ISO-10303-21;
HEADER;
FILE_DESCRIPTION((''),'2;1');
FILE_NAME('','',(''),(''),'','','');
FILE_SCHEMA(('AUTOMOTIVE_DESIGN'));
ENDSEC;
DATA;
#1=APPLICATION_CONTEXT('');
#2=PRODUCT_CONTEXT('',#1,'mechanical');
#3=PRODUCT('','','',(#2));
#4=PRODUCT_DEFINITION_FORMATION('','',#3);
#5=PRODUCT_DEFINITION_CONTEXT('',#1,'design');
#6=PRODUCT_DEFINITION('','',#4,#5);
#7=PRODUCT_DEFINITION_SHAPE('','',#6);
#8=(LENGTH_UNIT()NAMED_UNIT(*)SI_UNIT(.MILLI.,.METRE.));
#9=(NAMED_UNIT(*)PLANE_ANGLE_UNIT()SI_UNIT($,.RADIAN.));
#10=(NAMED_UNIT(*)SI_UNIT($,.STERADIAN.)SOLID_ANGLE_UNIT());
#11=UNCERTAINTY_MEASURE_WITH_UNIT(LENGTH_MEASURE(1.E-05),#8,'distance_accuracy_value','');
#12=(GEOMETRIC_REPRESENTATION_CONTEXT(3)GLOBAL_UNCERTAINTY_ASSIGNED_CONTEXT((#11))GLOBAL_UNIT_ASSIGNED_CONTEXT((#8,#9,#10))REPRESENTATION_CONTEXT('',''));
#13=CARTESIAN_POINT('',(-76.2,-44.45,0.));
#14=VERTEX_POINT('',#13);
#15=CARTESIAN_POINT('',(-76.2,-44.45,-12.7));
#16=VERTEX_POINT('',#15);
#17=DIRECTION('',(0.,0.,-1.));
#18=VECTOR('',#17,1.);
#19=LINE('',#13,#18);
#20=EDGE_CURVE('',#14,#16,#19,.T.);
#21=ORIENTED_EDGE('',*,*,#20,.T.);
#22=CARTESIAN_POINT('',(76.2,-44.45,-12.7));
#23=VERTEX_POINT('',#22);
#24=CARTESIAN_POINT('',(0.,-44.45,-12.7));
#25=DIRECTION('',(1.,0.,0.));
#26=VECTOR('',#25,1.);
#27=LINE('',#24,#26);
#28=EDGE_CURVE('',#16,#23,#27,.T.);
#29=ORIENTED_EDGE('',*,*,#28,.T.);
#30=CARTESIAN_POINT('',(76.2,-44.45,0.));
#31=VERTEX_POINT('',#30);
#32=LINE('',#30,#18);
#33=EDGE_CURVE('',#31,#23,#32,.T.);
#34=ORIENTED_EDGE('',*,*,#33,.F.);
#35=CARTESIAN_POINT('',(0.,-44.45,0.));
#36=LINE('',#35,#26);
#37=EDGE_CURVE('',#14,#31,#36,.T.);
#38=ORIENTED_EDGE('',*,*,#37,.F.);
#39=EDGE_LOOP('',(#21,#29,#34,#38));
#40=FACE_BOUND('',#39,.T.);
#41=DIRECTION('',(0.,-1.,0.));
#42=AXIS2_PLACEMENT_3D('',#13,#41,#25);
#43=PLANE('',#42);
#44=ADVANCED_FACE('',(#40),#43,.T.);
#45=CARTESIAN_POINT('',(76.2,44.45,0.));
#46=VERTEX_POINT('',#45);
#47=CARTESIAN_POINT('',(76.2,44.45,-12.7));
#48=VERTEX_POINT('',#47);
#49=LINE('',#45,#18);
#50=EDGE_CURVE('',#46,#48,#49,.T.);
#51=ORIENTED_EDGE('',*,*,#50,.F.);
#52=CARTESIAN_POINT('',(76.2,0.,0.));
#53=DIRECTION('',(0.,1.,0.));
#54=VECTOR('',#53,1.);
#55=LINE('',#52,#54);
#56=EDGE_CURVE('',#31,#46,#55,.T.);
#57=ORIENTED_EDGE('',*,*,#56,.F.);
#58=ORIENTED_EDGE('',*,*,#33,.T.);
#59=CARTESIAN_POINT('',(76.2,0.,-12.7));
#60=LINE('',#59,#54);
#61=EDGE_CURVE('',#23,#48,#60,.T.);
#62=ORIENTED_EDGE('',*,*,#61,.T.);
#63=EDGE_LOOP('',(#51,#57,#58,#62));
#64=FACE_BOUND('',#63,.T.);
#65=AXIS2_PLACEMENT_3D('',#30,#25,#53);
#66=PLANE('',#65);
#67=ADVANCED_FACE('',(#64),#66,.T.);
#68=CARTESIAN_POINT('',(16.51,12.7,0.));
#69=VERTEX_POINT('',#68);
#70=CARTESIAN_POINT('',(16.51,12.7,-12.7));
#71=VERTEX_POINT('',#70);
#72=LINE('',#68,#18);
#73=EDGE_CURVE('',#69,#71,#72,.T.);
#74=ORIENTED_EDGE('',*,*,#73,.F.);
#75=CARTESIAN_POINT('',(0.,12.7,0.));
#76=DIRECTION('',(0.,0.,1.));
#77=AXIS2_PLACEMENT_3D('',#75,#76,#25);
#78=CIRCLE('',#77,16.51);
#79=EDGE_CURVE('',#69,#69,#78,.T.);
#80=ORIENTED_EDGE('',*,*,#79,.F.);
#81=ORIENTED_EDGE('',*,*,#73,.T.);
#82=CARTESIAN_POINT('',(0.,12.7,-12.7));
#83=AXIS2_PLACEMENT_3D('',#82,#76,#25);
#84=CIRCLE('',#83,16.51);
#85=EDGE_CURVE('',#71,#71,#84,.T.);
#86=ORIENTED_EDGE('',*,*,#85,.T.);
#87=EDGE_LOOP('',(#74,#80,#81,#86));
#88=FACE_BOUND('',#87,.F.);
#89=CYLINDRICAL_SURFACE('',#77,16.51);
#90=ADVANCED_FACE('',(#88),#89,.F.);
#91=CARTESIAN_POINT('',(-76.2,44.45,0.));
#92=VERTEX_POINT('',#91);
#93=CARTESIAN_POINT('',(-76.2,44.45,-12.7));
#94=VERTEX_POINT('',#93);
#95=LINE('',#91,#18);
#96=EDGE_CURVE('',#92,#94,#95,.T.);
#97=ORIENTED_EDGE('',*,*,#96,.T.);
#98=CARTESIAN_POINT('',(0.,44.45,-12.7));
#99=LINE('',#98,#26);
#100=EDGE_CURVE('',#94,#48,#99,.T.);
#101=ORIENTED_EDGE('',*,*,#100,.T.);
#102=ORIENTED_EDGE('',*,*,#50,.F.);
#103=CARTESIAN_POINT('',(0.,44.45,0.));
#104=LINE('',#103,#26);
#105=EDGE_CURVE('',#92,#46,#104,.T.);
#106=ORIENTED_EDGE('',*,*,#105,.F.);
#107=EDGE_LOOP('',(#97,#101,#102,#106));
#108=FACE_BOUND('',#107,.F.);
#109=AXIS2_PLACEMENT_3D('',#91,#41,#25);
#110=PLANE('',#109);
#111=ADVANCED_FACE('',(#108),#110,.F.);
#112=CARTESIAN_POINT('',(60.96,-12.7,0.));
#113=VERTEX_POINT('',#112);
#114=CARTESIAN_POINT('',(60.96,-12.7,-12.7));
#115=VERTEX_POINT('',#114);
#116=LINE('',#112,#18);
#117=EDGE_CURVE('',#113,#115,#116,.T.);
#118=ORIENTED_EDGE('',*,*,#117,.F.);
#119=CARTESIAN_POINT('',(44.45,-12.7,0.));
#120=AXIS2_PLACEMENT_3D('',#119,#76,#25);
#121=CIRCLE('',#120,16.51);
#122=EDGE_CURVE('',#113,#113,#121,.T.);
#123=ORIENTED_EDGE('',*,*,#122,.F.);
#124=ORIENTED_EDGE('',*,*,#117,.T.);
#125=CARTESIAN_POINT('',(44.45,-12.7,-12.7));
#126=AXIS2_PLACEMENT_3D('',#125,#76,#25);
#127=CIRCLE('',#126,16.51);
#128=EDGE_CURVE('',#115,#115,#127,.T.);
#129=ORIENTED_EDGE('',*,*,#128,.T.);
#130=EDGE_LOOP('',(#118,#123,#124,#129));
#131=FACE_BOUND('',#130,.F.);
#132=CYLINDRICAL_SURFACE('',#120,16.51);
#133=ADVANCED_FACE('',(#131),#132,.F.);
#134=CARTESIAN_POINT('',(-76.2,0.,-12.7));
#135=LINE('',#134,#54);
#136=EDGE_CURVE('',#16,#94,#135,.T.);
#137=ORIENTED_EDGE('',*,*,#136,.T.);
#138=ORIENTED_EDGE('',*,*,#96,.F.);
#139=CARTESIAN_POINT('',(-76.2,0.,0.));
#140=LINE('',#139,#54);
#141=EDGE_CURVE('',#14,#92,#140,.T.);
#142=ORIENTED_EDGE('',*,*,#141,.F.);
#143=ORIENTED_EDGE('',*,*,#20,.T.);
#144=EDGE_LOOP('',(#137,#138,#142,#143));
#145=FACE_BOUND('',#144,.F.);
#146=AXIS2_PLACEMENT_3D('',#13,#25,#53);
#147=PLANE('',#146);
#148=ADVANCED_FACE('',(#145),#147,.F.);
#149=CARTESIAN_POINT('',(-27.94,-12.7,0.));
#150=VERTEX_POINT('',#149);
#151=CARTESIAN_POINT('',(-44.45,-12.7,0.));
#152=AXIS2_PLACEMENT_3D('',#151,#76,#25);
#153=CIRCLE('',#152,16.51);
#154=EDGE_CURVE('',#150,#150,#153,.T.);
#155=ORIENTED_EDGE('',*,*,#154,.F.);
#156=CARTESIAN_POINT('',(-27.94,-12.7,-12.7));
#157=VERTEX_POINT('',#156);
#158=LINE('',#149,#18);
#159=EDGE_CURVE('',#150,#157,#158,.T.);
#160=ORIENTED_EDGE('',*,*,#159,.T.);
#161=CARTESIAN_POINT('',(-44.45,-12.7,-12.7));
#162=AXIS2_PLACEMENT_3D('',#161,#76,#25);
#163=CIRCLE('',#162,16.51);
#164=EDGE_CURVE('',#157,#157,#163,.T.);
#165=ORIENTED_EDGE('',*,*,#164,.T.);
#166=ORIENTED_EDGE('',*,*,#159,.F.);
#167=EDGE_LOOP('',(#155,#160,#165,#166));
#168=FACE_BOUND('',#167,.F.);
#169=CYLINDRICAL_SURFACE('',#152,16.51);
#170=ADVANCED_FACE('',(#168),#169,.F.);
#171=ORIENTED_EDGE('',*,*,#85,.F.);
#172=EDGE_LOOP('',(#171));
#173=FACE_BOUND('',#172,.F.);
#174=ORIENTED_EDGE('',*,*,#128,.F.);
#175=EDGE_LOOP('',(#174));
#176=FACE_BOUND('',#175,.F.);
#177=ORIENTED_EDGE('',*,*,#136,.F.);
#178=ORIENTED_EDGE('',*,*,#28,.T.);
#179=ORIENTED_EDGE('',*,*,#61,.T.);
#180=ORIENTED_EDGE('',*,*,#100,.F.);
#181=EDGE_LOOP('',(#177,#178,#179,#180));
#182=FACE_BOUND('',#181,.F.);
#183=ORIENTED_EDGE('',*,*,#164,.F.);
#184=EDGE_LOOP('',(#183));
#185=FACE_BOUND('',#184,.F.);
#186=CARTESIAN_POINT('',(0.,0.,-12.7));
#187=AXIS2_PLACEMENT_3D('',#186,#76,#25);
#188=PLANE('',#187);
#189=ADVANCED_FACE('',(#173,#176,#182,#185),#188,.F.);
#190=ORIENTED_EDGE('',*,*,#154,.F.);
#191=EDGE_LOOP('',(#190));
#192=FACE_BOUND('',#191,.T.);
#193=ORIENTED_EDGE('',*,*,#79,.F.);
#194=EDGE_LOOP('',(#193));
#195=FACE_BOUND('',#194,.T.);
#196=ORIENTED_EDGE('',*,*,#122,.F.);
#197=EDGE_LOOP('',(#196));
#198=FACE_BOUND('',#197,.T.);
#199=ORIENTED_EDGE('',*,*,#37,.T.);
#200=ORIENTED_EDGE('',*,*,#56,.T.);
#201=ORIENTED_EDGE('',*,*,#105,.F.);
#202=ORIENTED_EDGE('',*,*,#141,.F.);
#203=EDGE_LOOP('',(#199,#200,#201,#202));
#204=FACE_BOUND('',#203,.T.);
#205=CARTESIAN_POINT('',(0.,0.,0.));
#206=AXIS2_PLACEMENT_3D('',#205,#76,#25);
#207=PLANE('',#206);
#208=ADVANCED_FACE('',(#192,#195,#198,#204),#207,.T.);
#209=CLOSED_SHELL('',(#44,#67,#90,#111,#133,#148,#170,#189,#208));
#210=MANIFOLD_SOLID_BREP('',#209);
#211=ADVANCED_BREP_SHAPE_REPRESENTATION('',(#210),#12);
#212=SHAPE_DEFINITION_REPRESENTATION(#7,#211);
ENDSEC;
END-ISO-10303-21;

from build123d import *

# Parameters (mm, degrees)
F0_W     = 152.4
F0_H     = 88.9
F0_R     = 16.51
F1_DEPTH = 12.7


with BuildPart() as f1:
    # F0 (on Top) → F1 (new body)
    with BuildSketch(Plane.XY):
        Rectangle(F0_W, F0_H)
        with Locations((-44.45, -12.7)):
            Circle(F0_R, mode=Mode.SUBTRACT)
        with Locations((44.45, -12.7)):
            Circle(F0_R, mode=Mode.SUBTRACT)
        with Locations((0, 12.7)):
            Circle(F0_R, mode=Mode.SUBTRACT)
    extrude(amount=-F1_DEPTH)


solid = f1.part
